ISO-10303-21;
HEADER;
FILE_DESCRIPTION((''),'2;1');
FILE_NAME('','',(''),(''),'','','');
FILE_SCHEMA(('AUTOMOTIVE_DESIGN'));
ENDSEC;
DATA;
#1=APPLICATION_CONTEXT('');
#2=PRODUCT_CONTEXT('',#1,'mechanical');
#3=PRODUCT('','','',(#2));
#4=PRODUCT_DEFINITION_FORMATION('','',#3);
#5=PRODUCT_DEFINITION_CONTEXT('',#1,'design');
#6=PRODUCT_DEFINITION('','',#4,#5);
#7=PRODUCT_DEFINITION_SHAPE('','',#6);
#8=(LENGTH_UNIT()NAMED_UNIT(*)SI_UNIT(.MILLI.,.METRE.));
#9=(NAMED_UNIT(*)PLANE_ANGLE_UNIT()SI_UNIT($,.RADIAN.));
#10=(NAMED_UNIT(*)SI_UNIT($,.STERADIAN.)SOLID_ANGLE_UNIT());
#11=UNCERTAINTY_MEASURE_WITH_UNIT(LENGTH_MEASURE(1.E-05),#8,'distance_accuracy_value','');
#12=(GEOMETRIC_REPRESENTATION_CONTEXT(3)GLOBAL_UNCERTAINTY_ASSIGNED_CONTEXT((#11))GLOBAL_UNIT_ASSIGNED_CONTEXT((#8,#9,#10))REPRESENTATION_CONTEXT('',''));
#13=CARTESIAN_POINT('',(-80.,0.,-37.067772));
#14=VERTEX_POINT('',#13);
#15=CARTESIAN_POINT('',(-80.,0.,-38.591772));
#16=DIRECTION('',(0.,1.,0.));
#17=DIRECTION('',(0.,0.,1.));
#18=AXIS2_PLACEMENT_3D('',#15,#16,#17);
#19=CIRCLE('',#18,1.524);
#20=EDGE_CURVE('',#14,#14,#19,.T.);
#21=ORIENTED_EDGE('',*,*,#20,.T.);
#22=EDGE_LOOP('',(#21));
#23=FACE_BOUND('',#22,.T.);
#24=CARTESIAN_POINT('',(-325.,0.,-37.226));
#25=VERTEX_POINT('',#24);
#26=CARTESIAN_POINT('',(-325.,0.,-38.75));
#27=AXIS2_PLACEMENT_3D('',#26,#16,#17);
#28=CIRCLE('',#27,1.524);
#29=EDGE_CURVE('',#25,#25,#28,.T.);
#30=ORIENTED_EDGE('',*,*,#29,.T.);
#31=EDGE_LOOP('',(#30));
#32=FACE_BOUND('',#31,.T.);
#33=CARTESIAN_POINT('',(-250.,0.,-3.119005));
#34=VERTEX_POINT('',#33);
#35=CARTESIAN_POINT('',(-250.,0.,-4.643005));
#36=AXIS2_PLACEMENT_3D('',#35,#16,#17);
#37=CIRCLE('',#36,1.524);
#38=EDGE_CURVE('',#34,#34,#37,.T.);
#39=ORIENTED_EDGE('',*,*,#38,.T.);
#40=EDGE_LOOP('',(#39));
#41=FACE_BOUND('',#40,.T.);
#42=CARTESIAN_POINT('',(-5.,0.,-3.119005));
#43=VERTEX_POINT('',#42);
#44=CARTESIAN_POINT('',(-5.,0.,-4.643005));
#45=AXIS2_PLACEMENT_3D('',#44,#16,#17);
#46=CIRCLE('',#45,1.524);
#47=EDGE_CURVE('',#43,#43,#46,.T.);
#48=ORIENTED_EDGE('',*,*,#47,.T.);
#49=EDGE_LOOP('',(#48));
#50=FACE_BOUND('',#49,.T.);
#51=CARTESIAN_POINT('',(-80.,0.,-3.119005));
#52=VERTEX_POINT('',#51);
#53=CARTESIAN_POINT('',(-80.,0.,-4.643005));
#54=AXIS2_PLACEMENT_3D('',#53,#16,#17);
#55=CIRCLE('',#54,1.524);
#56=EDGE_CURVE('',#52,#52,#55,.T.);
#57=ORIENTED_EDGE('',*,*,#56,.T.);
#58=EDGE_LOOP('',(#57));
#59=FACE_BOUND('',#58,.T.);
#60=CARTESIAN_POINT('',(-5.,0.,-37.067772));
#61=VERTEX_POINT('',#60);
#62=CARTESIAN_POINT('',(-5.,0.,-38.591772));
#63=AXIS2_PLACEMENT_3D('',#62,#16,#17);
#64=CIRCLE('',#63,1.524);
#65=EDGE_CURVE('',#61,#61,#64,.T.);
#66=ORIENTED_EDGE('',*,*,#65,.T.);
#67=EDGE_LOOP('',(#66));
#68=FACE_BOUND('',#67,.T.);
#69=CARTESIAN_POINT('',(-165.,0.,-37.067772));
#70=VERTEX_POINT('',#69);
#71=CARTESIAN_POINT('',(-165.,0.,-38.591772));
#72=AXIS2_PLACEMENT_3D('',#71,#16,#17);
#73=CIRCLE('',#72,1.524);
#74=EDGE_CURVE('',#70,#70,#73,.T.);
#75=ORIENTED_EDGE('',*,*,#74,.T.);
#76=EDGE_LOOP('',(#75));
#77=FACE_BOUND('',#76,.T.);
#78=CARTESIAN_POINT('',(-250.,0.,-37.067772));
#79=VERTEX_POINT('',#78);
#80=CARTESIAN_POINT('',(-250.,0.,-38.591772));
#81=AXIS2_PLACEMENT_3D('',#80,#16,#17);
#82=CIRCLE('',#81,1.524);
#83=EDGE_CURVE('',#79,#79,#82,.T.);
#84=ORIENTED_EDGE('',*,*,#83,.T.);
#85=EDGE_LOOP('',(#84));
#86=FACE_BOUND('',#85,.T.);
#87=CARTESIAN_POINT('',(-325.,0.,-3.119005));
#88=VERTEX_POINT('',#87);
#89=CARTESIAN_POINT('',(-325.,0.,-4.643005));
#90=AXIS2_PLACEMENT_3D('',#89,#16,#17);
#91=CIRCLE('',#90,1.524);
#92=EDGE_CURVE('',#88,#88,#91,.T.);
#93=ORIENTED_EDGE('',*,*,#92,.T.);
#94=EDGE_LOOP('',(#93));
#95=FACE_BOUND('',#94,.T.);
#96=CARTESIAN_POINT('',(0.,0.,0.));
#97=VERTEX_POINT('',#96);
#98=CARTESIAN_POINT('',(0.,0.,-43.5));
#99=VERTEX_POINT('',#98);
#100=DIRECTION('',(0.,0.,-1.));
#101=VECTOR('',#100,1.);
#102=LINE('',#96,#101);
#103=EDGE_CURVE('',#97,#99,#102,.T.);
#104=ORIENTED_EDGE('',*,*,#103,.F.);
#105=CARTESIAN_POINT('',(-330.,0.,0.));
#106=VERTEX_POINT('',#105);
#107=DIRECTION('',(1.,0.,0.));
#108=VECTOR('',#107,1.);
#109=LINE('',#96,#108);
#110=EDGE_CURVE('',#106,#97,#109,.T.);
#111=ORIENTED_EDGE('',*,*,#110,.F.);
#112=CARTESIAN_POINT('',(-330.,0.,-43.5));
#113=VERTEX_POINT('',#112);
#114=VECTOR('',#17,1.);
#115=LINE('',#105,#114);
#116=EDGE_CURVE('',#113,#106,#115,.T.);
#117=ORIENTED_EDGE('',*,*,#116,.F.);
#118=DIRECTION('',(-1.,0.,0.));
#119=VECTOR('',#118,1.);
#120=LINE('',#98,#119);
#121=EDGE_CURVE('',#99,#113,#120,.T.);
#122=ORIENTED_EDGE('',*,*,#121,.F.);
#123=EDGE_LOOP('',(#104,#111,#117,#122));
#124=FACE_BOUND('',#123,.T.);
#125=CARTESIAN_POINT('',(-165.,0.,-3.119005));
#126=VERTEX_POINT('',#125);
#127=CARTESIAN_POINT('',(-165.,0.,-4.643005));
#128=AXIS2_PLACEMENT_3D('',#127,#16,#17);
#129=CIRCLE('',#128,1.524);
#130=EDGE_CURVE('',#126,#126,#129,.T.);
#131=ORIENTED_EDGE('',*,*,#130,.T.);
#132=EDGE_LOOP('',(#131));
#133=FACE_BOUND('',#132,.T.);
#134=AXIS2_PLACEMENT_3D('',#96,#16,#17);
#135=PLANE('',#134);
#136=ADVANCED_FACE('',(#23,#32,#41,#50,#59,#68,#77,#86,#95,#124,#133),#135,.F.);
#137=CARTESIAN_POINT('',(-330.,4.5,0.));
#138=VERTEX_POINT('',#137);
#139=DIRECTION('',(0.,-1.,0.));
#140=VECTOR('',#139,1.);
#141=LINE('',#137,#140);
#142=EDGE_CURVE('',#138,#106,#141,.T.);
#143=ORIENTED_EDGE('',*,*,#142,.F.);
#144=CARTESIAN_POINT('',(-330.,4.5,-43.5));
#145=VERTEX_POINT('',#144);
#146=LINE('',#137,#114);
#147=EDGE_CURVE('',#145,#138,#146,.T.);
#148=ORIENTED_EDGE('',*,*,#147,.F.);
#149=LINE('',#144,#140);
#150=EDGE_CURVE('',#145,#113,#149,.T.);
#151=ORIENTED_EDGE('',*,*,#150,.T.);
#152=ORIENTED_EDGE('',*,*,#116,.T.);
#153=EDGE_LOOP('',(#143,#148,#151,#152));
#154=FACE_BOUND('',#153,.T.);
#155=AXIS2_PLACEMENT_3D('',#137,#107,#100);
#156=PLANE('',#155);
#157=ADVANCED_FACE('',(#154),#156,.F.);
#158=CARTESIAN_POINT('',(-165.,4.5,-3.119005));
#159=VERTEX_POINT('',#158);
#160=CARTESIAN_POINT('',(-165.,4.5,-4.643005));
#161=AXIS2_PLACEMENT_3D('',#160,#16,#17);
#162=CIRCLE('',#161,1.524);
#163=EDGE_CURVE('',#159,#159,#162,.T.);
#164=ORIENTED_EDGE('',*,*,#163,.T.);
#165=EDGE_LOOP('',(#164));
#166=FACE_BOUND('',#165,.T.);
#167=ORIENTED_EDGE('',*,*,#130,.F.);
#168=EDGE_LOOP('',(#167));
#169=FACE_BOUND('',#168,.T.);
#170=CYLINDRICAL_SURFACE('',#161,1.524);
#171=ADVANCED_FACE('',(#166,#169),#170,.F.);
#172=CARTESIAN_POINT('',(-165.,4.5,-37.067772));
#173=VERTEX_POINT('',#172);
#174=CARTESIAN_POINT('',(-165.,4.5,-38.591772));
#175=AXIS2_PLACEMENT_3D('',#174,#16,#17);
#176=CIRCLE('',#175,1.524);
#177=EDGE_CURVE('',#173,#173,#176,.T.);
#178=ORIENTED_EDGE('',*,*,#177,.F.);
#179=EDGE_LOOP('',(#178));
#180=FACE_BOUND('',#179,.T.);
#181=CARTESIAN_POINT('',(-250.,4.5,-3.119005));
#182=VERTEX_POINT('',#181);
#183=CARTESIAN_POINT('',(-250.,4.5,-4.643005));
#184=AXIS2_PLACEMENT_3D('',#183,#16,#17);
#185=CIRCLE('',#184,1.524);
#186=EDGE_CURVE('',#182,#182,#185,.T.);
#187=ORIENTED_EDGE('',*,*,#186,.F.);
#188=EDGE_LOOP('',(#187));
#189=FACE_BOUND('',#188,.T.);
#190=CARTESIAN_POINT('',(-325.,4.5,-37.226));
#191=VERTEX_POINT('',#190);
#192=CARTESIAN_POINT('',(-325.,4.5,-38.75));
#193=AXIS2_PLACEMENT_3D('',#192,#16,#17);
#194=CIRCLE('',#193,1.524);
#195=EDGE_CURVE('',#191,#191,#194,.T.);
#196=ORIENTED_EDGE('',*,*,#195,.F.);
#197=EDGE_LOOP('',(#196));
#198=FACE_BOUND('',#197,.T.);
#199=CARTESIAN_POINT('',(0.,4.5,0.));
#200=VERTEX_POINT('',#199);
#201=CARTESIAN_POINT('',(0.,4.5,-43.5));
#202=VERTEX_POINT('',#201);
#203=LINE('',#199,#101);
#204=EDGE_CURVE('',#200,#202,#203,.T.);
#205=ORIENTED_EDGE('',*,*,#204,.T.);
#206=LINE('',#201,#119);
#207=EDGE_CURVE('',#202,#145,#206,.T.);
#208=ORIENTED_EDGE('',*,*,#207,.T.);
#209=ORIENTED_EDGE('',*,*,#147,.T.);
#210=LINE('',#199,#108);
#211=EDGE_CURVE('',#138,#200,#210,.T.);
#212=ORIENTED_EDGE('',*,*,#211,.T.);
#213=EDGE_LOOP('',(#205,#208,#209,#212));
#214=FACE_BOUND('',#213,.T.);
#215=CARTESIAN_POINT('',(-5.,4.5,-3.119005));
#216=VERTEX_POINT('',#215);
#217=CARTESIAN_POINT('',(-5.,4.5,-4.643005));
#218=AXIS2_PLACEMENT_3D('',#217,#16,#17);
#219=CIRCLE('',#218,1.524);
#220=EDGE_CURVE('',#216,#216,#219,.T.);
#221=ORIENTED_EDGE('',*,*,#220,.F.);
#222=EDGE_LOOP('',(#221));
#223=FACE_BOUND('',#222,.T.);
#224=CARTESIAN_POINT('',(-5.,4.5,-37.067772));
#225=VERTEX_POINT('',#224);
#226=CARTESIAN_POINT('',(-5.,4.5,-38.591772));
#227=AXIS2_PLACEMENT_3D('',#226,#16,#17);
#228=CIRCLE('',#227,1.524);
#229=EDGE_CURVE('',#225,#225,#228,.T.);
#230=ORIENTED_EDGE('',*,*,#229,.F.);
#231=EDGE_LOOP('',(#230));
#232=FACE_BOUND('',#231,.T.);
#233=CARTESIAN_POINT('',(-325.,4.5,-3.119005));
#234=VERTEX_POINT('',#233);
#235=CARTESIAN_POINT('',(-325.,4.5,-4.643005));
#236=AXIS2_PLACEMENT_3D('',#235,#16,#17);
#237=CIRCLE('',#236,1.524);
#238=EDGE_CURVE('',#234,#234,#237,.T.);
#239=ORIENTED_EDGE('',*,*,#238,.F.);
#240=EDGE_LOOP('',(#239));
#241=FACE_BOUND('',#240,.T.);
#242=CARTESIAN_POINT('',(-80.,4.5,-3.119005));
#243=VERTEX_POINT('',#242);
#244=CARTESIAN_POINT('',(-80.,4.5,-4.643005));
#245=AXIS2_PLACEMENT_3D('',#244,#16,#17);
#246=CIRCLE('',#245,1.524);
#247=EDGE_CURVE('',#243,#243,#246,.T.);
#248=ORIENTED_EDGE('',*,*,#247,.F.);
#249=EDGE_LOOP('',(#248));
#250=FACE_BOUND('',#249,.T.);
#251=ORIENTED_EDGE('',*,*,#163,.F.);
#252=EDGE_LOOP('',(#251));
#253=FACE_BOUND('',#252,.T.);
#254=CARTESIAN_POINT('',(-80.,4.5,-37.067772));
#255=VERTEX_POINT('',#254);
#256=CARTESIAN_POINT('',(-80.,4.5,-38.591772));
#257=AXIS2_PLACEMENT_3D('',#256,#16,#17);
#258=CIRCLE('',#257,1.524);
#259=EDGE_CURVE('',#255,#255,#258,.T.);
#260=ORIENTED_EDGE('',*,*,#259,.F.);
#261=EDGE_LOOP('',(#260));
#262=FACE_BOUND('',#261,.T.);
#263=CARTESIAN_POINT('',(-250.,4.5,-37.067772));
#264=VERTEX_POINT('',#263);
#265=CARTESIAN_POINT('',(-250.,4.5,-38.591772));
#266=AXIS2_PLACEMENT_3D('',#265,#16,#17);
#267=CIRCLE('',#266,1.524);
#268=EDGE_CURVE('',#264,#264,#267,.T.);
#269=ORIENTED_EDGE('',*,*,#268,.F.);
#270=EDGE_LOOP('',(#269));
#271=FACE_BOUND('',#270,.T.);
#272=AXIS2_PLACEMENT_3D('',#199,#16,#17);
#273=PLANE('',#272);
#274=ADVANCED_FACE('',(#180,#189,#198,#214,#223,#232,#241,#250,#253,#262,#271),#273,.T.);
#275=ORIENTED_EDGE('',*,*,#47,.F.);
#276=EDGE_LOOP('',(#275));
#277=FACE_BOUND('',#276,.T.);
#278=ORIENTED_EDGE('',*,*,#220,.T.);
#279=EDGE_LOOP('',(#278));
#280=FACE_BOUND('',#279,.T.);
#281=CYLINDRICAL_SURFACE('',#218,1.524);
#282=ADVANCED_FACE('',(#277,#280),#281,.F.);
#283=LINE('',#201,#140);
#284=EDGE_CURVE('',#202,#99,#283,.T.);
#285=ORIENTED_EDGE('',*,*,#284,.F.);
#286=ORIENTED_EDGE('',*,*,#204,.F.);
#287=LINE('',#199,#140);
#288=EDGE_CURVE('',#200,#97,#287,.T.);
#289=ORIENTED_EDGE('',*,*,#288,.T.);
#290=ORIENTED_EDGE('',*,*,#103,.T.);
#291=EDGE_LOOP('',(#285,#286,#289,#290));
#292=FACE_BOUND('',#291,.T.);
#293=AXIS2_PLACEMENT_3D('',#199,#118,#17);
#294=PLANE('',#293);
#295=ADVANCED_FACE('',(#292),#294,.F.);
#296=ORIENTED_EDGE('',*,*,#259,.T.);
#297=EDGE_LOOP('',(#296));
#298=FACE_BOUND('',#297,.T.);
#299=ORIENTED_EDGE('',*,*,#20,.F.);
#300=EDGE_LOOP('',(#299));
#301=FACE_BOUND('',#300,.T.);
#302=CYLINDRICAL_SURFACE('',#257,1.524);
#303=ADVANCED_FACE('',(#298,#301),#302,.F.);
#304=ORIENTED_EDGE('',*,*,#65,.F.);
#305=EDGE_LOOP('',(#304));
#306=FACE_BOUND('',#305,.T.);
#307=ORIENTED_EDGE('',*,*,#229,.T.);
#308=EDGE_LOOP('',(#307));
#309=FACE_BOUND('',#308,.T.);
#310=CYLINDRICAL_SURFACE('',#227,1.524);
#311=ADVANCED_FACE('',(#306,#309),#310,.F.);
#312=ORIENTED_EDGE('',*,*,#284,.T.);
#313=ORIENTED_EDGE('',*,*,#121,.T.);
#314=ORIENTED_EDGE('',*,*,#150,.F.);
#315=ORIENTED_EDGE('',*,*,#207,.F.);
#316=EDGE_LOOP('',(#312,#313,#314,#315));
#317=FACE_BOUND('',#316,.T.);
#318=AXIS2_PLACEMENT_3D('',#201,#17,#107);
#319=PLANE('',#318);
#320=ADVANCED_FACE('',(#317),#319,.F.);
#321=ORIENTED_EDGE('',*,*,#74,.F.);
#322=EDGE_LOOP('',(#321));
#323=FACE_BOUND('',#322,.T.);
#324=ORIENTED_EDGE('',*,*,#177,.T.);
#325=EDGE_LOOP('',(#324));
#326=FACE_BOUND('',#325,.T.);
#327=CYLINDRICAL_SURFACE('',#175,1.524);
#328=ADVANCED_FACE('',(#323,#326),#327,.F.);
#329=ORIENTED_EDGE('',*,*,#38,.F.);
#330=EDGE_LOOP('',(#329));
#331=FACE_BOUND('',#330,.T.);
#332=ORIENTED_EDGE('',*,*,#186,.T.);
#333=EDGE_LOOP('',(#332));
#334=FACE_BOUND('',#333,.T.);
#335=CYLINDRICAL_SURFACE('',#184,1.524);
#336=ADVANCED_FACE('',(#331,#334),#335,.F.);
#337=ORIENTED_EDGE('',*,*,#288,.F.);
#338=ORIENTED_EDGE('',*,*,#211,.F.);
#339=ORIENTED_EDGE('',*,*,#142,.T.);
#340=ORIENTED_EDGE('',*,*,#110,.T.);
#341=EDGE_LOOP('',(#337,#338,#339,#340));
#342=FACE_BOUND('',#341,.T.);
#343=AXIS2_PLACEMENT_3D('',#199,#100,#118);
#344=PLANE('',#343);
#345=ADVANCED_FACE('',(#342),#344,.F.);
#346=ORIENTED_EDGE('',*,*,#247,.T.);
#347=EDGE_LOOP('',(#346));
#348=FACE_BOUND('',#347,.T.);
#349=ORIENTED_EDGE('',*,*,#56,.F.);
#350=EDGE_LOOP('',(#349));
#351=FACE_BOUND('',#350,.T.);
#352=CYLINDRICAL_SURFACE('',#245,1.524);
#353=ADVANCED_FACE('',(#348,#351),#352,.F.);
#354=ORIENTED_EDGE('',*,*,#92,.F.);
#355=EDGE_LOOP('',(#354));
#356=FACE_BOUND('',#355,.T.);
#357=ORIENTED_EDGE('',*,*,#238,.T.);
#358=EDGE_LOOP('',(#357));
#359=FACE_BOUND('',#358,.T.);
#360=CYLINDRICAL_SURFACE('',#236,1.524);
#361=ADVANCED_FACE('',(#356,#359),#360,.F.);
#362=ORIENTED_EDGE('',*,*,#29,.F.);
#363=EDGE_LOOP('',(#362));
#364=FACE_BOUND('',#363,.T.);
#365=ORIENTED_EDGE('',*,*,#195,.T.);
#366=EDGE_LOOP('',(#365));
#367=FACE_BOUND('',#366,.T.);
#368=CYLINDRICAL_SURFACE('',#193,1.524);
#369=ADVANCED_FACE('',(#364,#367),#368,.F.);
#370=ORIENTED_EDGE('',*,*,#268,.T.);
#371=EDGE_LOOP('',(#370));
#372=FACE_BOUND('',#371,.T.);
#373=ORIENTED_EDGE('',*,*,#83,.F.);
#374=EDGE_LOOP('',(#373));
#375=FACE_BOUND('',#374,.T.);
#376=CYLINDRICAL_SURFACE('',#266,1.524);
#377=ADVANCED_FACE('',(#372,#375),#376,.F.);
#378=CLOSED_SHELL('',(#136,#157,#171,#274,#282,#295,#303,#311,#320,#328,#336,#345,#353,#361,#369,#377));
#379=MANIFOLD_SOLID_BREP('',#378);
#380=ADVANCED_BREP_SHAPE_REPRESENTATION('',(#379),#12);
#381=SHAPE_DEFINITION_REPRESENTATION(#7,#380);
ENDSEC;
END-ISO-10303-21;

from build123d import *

# Parameters (mm, degrees)
SKETCH1_W                  = 330
SKETCH1_H                  = 43.5
BOSS_EXTRUDE1_DEPTH        = 4.5
F_31_0_12_DIAMETER_HOLE3_D = 3.048


with BuildPart() as part:
    # Sketch1 → Boss-Extrude1 (new body)
    with BuildSketch(Plane(origin=(0, 0, 0), x_dir=(1, 0, 0), z_dir=(0, 1, 0))):
        with Locations((-165, 21.75)):
            Rectangle(SKETCH1_W, SKETCH1_H)
    extrude(amount=BOSS_EXTRUDE1_DEPTH)

    # #31 (0.12) Diameter Hole3 (through all)
    with Locations(Plane(origin=(0, 4.5, 0), x_dir=(1, 0, 0), z_dir=(0, 1, 0))):
        with Locations((-325, 38.75), (-325, 4.64300545), (-250, 4.64300545), (-250, 38.591771868), (-165, 38.591771868), (-165, 4.64300545), (-80, 4.64300545), (-80, 38.591771868), (-5, 38.591771868), (-5, 4.64300545)):
            Hole(F_31_0_12_DIAMETER_HOLE3_D / 2)


solid = part.part
